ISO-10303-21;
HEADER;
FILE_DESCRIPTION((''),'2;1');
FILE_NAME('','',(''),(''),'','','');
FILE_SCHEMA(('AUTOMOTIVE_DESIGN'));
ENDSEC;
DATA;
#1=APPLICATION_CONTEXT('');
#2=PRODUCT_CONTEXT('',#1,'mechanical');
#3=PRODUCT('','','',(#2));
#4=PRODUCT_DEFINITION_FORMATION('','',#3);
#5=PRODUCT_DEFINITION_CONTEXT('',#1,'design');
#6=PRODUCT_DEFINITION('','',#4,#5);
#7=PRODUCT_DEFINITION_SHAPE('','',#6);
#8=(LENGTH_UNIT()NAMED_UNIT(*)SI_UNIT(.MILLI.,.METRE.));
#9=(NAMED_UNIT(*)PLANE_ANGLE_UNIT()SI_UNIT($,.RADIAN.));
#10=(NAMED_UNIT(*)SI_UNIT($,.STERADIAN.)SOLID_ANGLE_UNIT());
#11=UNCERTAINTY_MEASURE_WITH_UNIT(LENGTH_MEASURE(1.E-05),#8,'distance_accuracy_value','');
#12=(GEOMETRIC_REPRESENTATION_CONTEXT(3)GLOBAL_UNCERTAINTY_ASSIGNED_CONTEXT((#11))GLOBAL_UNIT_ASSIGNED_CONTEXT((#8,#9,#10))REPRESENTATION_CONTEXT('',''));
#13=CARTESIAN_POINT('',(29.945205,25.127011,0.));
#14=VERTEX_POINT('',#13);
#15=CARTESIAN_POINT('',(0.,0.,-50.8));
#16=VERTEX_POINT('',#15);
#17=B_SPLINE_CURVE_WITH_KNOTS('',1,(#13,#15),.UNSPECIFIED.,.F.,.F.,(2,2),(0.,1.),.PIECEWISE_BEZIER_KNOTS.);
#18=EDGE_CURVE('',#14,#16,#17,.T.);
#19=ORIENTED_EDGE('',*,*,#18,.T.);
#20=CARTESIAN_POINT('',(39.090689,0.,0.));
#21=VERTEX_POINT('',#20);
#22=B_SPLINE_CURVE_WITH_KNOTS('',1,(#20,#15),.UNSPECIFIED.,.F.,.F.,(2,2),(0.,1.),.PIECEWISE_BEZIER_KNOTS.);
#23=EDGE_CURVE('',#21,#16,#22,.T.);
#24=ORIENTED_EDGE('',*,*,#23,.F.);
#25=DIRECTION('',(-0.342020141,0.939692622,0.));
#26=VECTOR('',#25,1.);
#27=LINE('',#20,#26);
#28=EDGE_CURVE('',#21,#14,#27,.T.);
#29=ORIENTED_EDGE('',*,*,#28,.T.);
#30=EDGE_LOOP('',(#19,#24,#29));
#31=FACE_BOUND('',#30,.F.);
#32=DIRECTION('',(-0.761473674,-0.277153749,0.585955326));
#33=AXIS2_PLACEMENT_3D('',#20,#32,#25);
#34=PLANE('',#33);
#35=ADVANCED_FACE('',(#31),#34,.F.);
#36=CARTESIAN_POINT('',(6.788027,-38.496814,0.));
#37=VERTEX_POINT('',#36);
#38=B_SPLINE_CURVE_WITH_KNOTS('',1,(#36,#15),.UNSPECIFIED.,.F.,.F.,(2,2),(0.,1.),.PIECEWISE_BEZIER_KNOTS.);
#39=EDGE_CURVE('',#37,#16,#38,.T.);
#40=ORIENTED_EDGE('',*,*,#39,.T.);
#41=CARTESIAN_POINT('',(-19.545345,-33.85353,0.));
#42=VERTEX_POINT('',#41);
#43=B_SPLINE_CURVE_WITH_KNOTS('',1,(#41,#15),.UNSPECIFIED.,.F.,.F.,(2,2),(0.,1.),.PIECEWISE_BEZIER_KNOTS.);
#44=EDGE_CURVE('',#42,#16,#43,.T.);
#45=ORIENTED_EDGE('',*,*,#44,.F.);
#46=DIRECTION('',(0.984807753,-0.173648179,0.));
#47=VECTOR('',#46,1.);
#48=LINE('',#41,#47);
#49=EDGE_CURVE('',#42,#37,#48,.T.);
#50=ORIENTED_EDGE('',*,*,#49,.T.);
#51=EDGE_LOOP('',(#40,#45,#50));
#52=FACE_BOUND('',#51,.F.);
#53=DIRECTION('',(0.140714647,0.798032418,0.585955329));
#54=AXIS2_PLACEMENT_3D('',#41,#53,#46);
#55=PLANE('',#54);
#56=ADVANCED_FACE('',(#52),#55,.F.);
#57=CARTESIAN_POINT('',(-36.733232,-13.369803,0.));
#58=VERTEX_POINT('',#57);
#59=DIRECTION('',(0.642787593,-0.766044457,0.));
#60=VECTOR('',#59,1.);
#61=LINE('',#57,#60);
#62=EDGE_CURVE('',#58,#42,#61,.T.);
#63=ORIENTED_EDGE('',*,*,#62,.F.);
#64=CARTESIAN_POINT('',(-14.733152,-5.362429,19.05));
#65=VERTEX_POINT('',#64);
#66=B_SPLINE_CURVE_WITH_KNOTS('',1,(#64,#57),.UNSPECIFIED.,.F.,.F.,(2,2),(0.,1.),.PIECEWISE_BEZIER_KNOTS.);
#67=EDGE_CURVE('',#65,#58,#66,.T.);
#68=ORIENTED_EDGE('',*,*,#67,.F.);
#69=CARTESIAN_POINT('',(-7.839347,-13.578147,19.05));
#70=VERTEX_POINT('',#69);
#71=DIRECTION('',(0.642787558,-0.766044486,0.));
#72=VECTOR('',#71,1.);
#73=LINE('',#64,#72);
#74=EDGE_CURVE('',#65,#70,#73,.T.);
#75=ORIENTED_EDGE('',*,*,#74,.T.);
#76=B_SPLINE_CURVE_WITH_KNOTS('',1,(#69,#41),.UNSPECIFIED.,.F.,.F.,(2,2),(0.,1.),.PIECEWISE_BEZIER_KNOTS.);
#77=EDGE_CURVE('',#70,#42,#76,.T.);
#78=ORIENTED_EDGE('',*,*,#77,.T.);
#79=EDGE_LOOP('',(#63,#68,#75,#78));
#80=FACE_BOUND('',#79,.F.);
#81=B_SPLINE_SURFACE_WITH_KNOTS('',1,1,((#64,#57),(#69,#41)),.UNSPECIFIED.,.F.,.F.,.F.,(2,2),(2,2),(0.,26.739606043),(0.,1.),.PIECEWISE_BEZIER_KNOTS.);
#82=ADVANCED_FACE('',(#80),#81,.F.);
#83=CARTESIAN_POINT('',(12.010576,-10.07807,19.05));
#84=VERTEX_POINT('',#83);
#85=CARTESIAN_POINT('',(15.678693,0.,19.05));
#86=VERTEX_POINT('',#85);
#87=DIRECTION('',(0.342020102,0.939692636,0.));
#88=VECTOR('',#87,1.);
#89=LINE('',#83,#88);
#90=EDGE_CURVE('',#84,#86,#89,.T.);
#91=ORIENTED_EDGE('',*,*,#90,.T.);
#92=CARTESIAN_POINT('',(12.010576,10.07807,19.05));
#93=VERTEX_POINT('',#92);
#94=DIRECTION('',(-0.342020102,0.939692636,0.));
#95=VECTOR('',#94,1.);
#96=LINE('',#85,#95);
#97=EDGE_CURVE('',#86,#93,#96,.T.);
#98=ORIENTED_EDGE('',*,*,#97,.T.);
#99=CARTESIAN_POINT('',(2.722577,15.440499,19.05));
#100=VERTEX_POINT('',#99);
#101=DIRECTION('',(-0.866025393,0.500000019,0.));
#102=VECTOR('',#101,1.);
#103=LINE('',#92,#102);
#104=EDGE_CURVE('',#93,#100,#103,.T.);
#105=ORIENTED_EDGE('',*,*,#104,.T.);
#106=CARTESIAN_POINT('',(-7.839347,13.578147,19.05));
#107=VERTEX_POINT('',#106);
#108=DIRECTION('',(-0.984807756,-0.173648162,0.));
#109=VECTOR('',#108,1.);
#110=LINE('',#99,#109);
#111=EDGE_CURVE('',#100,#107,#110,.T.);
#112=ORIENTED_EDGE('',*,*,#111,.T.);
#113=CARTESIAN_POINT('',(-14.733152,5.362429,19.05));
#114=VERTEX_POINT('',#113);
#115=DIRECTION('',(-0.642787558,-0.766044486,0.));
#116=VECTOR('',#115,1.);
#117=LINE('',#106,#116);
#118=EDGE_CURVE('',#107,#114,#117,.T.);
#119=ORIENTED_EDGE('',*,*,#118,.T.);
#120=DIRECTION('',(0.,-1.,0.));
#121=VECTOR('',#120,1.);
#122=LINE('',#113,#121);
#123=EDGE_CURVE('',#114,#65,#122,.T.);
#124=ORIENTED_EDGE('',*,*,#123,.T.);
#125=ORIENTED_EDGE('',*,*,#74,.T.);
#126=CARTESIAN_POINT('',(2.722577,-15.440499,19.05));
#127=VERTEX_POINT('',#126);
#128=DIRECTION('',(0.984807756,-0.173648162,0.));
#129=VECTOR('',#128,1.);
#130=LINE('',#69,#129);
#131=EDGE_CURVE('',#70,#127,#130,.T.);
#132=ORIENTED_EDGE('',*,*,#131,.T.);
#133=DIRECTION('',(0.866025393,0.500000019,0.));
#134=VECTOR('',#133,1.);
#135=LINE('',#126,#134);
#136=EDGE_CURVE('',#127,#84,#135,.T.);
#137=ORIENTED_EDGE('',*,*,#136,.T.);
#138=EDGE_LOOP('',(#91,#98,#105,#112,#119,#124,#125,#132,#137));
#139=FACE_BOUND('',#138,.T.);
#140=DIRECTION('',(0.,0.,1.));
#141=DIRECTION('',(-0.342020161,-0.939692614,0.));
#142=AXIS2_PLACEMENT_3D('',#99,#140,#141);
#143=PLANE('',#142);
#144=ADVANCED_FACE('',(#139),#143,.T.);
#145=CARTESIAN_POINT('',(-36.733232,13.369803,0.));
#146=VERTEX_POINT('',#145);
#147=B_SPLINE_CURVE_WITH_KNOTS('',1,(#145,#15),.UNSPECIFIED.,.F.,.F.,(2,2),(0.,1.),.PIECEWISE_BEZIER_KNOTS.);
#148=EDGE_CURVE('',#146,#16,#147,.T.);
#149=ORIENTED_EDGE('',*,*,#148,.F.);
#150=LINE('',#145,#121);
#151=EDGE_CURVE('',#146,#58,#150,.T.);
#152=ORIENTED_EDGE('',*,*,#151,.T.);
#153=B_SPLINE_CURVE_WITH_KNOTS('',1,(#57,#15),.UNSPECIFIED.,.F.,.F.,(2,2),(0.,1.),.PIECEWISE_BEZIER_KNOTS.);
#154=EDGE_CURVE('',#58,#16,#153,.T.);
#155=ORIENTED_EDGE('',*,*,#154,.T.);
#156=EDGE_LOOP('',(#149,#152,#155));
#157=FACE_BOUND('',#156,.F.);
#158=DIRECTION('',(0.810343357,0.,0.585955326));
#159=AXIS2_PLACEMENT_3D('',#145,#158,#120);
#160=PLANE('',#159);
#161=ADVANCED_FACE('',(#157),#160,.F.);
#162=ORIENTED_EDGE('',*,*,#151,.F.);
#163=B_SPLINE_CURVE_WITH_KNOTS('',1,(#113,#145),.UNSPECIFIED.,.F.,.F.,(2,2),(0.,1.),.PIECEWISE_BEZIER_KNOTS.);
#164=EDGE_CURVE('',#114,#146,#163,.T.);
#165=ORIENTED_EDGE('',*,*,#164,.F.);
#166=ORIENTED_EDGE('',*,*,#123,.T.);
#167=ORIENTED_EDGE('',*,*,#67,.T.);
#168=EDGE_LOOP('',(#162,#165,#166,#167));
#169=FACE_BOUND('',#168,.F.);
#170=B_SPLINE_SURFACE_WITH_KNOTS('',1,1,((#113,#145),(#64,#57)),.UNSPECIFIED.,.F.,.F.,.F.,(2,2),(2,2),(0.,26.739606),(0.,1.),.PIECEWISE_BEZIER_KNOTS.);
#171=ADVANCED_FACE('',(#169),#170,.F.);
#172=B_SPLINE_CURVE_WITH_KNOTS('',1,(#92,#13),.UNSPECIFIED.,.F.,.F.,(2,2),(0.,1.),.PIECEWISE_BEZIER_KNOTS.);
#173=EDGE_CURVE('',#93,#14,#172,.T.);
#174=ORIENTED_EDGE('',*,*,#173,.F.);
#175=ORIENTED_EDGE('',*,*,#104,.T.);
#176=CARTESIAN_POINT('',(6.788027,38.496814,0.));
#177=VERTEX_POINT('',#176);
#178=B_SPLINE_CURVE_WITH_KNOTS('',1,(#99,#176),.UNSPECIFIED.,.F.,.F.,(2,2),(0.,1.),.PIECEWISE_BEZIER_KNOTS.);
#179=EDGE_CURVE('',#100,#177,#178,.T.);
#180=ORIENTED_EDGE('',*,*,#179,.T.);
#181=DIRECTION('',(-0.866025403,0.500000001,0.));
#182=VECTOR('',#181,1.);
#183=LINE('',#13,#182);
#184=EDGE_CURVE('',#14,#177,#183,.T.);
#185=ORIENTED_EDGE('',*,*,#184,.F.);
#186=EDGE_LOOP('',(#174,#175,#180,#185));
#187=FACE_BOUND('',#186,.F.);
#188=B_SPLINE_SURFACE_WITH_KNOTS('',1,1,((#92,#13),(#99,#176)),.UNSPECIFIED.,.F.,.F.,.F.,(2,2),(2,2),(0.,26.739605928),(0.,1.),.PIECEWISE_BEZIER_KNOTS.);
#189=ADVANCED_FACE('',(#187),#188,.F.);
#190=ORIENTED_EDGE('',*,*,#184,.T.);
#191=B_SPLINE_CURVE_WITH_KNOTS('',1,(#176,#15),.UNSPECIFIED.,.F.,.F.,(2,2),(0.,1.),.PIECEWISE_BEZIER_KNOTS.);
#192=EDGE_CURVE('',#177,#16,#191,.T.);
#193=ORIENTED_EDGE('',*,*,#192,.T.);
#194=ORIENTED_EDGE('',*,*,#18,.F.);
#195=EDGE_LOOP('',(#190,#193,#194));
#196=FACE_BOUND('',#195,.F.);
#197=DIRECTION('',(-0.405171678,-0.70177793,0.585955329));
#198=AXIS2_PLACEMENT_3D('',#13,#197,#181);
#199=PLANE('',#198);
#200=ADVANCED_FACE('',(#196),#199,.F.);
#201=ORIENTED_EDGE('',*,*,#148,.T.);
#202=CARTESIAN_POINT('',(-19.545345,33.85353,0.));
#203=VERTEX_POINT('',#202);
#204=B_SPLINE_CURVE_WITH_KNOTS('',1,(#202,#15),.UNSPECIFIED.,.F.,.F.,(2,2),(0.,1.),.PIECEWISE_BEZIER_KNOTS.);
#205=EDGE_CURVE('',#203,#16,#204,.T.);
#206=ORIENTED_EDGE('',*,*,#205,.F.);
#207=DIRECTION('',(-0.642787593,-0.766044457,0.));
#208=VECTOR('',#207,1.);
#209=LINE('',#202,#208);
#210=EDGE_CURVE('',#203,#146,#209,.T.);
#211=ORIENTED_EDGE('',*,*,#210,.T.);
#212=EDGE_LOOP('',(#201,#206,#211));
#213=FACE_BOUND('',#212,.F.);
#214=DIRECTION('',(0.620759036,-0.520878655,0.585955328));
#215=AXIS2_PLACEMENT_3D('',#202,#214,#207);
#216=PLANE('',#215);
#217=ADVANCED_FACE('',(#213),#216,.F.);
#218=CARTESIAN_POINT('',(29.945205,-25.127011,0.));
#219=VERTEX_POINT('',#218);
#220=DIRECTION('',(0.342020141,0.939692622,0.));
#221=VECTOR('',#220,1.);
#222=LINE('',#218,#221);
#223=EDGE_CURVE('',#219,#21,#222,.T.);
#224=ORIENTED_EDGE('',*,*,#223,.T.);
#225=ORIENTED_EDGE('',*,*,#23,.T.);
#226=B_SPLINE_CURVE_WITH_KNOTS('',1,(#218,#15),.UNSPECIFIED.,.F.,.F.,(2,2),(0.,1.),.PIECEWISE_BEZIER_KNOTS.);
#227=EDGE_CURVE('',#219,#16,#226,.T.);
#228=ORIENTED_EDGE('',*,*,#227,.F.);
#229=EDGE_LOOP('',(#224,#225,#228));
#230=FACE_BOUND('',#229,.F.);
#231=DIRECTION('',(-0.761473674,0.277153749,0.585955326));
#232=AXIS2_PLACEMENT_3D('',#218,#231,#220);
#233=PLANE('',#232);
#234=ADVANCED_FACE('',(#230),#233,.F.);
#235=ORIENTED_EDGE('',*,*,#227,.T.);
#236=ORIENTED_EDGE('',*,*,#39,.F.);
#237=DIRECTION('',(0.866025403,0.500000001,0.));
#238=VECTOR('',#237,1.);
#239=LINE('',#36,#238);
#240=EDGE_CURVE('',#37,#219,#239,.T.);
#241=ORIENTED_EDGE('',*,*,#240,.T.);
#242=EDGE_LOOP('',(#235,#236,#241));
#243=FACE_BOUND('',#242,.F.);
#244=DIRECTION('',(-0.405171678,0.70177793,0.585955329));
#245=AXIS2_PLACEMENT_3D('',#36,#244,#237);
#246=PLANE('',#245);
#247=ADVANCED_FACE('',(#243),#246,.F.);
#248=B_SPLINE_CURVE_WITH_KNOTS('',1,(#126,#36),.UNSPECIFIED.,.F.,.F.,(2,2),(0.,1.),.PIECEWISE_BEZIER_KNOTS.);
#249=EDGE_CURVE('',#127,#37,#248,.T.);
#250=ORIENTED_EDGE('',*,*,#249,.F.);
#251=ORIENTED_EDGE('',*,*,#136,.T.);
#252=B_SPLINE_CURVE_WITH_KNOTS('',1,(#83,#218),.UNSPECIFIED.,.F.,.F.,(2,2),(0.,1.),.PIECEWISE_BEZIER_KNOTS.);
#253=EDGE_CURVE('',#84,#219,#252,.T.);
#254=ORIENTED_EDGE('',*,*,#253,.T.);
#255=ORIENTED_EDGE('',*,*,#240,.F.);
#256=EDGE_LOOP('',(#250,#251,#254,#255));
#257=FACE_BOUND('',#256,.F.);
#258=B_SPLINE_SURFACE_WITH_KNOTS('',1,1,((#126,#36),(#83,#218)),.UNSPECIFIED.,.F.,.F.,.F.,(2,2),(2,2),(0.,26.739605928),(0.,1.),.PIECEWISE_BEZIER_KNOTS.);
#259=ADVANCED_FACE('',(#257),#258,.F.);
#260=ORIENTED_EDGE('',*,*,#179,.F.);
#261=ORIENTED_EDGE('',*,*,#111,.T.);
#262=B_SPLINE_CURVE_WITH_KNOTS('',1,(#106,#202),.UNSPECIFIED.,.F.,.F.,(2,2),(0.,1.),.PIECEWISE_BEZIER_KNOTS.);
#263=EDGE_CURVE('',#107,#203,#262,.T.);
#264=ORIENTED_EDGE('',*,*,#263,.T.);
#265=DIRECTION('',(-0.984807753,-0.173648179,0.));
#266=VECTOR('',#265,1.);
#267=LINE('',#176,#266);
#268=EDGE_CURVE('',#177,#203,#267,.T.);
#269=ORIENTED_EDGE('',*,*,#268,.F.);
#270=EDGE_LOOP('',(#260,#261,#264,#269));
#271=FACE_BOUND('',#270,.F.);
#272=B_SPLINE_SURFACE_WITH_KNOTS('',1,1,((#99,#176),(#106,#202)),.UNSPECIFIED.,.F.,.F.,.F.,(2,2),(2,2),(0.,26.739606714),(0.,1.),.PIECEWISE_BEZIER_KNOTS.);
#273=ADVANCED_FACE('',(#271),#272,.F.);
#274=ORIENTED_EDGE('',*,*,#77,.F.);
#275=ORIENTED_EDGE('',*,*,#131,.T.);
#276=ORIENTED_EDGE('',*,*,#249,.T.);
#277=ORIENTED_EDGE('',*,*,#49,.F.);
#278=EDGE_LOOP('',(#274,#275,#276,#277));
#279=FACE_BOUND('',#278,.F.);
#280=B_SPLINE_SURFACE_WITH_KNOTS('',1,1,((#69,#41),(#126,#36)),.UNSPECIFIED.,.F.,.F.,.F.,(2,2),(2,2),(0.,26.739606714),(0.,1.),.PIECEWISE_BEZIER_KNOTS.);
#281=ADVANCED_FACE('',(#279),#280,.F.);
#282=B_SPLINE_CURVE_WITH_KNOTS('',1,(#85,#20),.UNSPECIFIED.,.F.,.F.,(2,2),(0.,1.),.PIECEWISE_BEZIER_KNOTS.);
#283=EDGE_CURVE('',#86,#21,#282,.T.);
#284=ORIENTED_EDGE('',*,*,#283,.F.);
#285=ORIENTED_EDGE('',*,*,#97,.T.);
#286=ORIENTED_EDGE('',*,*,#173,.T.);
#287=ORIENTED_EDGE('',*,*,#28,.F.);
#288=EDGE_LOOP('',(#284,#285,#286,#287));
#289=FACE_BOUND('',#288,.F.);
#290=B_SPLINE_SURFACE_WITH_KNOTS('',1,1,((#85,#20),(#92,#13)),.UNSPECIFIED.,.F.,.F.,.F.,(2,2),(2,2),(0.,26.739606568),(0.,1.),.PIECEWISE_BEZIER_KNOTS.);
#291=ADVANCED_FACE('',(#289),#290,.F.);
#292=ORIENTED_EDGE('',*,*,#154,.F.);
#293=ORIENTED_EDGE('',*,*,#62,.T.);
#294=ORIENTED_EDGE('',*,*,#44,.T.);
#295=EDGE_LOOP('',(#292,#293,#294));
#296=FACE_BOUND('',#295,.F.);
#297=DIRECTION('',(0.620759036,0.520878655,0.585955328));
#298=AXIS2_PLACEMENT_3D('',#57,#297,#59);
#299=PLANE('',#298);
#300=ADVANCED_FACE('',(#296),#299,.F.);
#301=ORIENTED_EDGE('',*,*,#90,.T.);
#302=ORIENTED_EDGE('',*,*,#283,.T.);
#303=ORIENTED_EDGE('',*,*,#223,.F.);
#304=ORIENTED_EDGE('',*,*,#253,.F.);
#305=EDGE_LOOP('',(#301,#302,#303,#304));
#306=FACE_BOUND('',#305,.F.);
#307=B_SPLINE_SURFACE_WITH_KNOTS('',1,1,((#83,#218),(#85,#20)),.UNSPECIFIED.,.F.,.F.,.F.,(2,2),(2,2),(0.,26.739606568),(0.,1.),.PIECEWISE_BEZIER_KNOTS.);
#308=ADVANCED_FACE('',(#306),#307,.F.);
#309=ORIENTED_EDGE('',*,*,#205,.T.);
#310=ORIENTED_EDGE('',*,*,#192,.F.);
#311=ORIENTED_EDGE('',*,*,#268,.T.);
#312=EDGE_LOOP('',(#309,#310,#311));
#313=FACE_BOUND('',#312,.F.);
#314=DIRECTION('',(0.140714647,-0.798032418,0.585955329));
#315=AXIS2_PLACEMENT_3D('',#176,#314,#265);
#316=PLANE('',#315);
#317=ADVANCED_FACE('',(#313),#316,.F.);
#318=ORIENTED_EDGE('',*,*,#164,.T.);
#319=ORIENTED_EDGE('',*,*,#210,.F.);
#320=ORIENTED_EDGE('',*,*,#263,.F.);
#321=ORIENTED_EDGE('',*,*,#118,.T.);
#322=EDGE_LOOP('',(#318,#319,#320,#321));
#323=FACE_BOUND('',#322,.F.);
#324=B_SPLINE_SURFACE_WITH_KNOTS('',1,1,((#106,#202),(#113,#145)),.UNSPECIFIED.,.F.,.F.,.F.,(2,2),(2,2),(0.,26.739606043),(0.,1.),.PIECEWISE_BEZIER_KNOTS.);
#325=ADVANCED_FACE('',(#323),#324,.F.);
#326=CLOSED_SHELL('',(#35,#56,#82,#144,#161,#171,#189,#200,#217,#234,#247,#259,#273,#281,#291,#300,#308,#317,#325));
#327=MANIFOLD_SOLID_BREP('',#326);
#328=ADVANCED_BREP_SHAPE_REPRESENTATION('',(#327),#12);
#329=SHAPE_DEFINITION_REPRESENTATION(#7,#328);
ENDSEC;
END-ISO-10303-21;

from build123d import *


with BuildPart() as f3:
    # F0 (on Top) → F3 section 0
    with BuildSketch(Plane.XY, mode=Mode.PRIVATE) as f3_s0:
        Polygon((-36.733232, 13.369803), (-36.733232, -13.369803), (-19.545345, -33.85353), (6.788027, -38.496814), (29.945205, -25.127011), (39.090689, 0), (29.945205, 25.127011), (6.788027, 38.496814), (-19.545345, 33.85353), align=None)
    loft([f3_s0.sketch, Vertex(0, 0, -50.8)])

    # F5 (on offset) → F6 section 0
    with BuildSketch(Plane.XY.offset(19.05)):
        Polygon((2.722577, 15.440499), (-7.839347, 13.578147), (-14.733152, 5.362429), (-14.733152, -5.362429), (-7.839347, -13.578147), (2.722577, -15.440499), (12.010576, -10.07807), (15.678693, 0), (12.010576, 10.07807), align=None)
    # F0 (on Top) → F6 section 1
    with BuildSketch(Plane.XY):
        Polygon((-36.733232, 13.369803), (-36.733232, -13.369803), (-19.545345, -33.85353), (6.788027, -38.496814), (29.945205, -25.127011), (39.090689, 0), (29.945205, 25.127011), (6.788027, 38.496814), (-19.545345, 33.85353), align=None)
    loft()


solid = f3.part
